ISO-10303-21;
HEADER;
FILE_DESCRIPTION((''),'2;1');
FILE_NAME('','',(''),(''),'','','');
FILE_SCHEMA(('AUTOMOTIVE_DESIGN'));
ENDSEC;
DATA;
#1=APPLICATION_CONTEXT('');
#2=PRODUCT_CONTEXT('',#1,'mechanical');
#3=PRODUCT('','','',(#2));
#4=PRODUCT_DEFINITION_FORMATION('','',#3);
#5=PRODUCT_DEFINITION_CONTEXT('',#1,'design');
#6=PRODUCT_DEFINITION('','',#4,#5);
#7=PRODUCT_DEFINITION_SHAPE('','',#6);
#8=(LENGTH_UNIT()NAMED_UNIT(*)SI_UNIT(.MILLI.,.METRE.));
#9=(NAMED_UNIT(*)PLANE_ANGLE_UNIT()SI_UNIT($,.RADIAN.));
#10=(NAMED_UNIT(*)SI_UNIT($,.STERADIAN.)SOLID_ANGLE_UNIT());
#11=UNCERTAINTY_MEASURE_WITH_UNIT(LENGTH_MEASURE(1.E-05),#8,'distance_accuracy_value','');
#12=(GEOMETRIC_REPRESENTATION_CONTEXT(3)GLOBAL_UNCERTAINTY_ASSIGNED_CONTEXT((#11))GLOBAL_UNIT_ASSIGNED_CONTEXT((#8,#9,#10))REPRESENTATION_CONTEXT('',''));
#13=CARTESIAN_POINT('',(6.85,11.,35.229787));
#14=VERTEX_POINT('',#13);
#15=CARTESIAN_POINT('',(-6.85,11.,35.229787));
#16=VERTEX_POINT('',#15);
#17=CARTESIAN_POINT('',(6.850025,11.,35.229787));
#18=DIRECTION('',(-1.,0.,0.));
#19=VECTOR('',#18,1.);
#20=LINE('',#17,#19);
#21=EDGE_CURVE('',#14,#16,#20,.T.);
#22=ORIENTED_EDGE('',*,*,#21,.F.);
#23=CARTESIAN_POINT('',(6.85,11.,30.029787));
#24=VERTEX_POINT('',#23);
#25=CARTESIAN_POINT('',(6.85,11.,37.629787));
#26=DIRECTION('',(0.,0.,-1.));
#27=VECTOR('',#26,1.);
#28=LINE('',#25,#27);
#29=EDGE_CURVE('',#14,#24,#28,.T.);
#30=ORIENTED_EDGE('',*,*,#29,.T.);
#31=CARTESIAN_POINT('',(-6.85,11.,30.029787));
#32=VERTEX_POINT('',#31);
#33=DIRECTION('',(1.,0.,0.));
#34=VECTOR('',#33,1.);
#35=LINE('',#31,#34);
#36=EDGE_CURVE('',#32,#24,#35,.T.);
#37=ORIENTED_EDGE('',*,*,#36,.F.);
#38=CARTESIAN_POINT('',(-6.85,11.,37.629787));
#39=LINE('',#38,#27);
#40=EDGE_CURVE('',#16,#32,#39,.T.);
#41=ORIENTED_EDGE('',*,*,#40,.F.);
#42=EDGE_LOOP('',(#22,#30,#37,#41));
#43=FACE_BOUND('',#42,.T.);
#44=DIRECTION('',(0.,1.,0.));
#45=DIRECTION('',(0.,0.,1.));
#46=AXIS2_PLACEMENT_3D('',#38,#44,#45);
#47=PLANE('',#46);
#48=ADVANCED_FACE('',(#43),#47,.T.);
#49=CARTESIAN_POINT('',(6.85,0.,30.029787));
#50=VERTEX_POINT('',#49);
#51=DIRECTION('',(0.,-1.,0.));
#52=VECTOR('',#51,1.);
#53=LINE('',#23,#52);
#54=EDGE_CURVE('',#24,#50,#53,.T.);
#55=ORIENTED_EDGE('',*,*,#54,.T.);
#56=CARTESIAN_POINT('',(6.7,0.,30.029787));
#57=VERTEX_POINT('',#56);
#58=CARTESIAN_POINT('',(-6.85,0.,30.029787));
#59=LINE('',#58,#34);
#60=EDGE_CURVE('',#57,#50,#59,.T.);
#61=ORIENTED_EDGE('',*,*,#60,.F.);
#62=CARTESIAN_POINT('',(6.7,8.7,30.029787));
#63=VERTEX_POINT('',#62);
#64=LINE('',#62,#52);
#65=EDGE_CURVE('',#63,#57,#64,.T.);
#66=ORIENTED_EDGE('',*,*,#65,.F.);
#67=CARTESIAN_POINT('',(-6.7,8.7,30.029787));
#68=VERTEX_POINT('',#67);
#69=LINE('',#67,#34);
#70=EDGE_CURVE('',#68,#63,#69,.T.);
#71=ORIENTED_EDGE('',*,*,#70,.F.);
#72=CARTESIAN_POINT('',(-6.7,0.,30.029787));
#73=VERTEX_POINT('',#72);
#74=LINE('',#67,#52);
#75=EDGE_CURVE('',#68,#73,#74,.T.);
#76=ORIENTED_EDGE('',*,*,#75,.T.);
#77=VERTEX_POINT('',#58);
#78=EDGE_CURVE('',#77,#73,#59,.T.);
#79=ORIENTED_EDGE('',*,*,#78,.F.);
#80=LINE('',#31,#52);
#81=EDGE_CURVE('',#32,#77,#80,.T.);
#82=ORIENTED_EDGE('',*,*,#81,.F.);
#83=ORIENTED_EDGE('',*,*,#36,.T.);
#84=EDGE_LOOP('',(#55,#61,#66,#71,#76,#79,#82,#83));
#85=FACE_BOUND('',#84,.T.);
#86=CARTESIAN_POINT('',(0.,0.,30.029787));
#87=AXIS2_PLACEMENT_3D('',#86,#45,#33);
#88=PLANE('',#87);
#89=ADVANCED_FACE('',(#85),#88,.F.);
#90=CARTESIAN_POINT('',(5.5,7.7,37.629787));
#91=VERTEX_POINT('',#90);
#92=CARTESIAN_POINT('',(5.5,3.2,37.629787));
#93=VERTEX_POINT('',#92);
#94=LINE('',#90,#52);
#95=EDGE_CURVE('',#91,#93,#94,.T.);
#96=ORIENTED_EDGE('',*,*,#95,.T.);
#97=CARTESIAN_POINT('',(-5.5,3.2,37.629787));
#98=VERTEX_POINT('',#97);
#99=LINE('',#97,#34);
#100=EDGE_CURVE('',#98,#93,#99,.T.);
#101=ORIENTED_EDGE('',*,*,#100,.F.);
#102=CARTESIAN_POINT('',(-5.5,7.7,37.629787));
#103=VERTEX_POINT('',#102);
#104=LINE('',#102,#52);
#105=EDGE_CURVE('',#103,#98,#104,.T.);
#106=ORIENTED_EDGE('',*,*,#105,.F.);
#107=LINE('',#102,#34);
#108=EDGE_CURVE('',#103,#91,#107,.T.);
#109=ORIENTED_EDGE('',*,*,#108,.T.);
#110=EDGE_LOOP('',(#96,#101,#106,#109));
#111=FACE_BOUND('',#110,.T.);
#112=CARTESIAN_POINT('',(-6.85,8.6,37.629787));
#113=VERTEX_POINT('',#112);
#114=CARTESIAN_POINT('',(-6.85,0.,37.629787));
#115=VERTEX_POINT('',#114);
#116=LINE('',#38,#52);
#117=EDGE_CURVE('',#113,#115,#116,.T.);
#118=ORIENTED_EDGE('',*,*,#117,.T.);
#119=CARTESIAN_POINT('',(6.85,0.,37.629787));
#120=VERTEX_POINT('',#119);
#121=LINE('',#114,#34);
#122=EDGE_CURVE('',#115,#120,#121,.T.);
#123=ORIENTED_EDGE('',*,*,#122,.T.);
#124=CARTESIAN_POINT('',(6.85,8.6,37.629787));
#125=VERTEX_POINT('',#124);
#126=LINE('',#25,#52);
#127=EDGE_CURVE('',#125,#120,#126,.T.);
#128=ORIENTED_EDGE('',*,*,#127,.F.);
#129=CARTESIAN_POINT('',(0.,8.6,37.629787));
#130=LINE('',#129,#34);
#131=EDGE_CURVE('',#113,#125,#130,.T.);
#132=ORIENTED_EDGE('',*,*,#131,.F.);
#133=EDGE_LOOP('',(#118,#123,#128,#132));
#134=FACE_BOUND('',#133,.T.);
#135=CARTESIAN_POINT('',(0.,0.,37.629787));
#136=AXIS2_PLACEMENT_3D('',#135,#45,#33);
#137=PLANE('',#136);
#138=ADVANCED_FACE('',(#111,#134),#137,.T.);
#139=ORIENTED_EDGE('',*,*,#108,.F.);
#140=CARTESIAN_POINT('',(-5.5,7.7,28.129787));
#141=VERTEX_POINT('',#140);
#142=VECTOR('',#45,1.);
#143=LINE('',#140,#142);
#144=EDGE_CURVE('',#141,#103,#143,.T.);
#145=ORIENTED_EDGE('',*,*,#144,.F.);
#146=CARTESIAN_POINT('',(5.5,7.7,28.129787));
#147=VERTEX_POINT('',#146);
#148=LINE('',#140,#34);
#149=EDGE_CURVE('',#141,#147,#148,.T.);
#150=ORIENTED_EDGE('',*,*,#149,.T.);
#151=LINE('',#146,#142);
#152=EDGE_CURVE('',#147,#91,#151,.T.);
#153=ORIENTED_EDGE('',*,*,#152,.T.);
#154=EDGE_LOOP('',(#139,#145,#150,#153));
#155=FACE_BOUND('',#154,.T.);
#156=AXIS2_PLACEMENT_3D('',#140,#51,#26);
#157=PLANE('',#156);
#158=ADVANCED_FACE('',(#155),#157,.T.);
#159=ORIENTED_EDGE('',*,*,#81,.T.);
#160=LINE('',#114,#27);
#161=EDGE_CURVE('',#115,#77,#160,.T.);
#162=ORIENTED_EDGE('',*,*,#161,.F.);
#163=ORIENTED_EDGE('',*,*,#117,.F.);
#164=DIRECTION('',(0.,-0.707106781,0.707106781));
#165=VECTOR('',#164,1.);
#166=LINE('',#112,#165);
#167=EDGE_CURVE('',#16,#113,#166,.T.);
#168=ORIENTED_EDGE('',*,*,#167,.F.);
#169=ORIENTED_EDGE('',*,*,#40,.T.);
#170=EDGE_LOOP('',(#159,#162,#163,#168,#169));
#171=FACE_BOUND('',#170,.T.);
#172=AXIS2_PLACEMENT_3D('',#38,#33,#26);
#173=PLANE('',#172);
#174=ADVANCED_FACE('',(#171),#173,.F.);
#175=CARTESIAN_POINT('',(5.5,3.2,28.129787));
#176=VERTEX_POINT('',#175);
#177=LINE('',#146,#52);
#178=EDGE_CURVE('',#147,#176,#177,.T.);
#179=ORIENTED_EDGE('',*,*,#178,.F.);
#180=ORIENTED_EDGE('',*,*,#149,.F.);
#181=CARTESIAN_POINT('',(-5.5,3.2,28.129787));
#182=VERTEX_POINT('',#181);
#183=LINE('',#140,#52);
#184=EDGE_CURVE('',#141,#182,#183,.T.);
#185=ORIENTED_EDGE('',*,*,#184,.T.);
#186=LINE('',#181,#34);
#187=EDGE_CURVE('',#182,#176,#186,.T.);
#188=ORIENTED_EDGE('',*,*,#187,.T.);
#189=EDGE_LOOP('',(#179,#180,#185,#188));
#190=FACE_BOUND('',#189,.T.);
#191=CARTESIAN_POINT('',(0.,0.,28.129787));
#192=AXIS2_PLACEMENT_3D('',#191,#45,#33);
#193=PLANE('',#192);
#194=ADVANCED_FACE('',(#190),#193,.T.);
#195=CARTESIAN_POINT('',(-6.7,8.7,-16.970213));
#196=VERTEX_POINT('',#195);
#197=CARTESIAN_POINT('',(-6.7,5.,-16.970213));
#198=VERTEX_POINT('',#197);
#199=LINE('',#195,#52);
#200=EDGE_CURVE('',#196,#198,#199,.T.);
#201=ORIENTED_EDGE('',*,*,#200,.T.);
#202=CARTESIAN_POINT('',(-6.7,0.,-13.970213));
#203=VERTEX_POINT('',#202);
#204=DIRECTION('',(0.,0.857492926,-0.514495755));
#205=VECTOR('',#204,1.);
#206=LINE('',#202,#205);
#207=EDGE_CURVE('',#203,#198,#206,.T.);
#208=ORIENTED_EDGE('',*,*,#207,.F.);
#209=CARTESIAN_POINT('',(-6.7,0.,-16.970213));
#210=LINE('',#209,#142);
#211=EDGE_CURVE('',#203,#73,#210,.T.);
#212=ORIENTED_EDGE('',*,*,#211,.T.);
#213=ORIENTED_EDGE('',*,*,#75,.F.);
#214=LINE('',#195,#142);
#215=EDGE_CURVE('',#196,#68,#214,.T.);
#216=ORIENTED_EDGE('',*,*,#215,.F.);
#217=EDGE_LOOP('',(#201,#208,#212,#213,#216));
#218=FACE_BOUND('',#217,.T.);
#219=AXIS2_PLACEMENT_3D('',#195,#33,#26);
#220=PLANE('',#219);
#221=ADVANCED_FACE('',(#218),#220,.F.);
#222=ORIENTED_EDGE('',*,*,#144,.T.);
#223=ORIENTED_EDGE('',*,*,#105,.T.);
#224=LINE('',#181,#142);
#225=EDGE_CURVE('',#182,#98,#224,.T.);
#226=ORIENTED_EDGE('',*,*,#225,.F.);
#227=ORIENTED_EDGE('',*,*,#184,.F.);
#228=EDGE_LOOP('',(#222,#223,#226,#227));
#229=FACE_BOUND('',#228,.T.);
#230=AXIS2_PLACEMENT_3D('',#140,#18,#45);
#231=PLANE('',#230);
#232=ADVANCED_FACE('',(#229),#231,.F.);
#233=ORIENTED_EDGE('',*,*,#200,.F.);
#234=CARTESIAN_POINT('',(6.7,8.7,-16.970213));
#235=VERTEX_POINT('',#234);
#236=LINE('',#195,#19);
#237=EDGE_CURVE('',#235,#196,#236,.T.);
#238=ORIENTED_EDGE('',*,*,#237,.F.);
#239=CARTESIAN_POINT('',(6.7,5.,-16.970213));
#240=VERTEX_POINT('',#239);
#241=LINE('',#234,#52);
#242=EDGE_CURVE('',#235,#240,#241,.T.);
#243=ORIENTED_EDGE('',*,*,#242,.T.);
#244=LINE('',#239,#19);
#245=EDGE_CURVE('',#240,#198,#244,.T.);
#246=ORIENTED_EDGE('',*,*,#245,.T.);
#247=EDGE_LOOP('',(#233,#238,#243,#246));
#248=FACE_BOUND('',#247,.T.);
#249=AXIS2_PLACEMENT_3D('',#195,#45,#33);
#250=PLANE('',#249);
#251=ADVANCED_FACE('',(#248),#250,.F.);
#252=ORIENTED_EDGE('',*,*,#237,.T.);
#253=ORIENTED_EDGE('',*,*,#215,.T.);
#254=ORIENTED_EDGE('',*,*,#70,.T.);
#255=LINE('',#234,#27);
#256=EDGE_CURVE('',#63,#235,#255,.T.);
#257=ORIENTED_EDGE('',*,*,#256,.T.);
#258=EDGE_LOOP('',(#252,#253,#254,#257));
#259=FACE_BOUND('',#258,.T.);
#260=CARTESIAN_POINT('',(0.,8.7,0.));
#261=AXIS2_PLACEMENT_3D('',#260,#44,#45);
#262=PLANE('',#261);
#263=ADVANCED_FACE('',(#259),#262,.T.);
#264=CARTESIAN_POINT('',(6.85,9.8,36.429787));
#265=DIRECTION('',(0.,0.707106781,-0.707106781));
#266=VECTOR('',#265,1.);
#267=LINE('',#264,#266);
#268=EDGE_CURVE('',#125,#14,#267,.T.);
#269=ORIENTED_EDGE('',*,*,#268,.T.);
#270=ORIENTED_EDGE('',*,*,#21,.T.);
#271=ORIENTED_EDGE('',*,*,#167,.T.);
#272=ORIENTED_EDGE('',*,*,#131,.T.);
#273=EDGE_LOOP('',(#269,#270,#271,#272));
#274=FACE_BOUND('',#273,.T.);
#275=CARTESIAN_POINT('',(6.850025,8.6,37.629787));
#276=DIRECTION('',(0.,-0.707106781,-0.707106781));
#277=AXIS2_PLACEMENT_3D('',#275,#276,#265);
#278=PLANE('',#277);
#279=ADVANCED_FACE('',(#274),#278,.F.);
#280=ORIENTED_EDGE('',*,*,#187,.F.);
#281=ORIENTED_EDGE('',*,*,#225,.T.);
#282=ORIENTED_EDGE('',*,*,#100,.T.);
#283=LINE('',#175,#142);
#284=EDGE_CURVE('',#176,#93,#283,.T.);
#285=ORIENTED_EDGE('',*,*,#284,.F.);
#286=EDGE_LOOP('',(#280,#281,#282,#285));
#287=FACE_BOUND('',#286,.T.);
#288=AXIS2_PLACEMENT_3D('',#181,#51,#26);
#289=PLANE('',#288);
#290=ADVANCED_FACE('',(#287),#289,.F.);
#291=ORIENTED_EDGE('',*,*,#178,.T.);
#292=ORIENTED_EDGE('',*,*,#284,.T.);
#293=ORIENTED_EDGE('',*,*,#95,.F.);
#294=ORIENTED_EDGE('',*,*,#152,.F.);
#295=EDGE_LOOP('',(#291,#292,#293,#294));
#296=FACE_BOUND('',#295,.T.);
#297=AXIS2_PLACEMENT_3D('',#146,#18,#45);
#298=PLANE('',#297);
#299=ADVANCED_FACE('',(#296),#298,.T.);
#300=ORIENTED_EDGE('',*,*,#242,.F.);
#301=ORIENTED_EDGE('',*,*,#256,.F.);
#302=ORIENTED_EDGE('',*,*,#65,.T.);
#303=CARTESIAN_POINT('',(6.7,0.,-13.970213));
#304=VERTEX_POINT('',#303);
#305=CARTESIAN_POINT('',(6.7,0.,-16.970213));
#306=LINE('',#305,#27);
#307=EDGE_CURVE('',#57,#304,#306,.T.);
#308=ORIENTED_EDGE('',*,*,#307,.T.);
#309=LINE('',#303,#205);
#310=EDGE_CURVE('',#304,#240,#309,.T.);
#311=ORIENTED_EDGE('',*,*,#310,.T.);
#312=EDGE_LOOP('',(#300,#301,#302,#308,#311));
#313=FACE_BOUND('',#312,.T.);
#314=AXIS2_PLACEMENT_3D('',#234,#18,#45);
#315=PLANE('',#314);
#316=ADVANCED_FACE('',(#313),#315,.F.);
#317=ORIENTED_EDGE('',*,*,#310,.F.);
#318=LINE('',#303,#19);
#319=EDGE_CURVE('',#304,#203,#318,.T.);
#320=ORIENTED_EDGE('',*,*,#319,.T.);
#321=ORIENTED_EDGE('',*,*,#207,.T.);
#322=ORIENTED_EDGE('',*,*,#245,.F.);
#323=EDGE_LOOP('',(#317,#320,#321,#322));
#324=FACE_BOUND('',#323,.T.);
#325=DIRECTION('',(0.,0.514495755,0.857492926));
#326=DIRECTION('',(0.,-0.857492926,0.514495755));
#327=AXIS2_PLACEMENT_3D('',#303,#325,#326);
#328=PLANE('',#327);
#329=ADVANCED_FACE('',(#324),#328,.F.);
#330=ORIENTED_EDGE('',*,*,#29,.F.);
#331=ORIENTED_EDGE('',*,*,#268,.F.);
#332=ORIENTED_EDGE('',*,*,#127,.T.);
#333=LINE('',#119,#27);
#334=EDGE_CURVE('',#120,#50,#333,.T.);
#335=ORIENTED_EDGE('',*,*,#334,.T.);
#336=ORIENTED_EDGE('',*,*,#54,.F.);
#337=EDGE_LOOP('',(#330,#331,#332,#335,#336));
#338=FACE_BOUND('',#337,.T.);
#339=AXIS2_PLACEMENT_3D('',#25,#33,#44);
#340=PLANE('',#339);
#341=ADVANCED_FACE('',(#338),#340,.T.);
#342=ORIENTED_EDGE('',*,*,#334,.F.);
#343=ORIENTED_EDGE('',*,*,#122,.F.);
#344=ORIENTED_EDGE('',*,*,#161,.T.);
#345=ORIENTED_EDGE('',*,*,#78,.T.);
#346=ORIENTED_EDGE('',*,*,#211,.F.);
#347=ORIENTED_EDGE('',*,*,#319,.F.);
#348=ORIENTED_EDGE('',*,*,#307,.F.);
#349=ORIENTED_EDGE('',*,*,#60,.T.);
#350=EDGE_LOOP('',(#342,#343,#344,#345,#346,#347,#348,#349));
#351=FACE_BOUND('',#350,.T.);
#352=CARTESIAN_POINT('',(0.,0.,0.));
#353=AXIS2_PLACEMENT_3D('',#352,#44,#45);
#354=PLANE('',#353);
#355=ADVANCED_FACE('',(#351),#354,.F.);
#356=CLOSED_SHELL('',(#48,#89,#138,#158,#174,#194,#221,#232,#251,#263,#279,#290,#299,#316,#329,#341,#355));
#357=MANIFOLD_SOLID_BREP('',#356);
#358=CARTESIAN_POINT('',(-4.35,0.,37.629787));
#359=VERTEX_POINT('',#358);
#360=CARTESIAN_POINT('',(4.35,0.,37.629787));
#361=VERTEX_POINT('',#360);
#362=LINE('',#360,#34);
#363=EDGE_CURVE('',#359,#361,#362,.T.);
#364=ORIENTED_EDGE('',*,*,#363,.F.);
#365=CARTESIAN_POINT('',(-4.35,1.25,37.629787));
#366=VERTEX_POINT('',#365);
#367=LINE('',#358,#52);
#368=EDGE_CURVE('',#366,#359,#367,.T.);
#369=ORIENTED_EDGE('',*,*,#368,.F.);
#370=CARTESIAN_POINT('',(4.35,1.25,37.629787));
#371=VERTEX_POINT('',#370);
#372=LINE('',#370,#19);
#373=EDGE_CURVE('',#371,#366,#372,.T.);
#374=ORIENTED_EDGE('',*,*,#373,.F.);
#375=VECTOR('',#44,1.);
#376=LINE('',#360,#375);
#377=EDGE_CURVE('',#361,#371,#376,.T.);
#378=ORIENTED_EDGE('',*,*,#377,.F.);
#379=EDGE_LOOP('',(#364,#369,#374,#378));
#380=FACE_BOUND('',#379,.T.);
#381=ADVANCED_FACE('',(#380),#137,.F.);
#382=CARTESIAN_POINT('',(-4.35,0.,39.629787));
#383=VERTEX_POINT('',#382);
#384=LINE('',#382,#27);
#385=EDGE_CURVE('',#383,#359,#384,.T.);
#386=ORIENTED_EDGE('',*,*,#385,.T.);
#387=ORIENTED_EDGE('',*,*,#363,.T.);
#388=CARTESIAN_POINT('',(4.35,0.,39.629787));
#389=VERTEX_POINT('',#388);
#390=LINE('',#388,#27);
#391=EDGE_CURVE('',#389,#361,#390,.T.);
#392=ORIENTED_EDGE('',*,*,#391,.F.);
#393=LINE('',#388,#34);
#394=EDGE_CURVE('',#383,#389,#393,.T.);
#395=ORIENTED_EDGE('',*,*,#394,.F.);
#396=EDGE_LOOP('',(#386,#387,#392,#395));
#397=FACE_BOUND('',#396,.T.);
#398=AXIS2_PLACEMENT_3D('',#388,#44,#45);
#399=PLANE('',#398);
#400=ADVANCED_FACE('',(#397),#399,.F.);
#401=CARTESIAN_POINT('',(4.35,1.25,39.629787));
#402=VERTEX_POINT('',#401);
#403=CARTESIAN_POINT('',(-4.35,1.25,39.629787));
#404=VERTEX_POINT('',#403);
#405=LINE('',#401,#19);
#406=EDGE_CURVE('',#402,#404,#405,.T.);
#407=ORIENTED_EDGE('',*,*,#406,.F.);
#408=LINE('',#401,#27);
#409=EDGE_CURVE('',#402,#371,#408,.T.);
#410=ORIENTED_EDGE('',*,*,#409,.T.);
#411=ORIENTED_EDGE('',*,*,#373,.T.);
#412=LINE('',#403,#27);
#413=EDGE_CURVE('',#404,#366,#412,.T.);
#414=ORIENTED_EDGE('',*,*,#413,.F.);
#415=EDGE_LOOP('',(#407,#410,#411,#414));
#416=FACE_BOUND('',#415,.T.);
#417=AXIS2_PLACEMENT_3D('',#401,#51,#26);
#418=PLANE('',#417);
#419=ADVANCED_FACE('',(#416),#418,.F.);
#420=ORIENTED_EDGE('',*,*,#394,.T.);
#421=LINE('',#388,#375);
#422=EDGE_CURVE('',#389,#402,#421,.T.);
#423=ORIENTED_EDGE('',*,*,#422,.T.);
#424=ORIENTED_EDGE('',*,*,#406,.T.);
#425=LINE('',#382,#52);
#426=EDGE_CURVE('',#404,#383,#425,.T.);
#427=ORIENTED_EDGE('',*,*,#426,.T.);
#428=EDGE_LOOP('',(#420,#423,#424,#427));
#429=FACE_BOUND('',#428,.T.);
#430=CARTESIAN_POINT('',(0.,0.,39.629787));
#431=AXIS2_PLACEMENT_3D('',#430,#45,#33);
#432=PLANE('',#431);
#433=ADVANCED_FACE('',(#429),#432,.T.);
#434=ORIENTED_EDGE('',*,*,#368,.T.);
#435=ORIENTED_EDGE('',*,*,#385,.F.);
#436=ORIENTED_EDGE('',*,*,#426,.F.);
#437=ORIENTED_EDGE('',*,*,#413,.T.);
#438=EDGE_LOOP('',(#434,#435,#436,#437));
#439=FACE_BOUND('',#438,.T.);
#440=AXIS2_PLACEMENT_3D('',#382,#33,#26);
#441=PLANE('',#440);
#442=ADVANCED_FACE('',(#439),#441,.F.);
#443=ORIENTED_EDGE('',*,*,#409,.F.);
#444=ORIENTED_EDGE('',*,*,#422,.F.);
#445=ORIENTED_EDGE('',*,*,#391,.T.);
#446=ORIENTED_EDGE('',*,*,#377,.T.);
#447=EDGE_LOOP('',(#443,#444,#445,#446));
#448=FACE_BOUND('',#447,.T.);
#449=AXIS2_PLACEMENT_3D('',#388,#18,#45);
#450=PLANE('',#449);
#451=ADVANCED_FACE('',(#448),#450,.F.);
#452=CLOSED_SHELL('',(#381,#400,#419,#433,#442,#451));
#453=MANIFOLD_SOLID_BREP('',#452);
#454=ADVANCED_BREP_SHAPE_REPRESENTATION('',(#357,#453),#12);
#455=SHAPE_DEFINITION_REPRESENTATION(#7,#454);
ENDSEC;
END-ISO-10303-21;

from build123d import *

# Parameters (mm, degrees)
SKETCH1_W           = 13.4
SKETCH1_H           = 47
BOSS_EXTRUDE1_DEPTH = 8.7
CUT_EXTRUDE1_DEPTH  = 14.4
SKETCH3_W           = 13.7
SKETCH3_H           = 11
BOSS_EXTRUDE2_DEPTH = 7.6
CUT_EXTRUDE2_DEPTH  = 14.7
SKETCH5_W           = 8.7
SKETCH5_H           = 1.25
BOSS_EXTRUDE3_DEPTH = 2
SKETCH7_W           = 11
SKETCH7_H           = 4.5
CUT_EXTRUDE3_DEPTH  = 9.5


with BuildPart() as part:
    # Sketch1 → Boss-Extrude1 (new body)
    with BuildSketch(Plane(origin=(0, 0, 0), x_dir=(1, 0, 0), z_dir=(0, 1, 0))):
        with Locations((0, -6.529786546)):
            Rectangle(SKETCH1_W, SKETCH1_H)
    extrude(amount=BOSS_EXTRUDE1_DEPTH)

    # Sketch2 → Cut-Extrude1 (cut, through all)
    with BuildSketch(Plane.ZY.offset(6.7)):
        Polygon((-16.970213454, 0), (-16.970213454, 5), (-13.970213454, 0), align=None)
    extrude(amount=-CUT_EXTRUDE1_DEPTH, mode=Mode.SUBTRACT)

    # Sketch3 → Boss-Extrude2 (add)
    with BuildSketch(Plane.XY.offset(30.029786546)):
        with Locations((0, 5.5)):
            Rectangle(SKETCH3_W, SKETCH3_H)
    extrude(amount=BOSS_EXTRUDE2_DEPTH)

    # Sketch4 → Cut-Extrude2 (cut, through all)
    with BuildSketch(Plane.ZY.offset(6.85)):
        Polygon((37.629786546, 11), (35.229786546, 11), (37.629786546, 8.6), align=None)
    extrude(amount=-CUT_EXTRUDE2_DEPTH, mode=Mode.SUBTRACT)

    # Sketch7 → Cut-Extrude3 (cut)
    with BuildSketch(Plane.XY.offset(37.629786546)):
        with Locations((0, 5.45)):
            Rectangle(SKETCH7_W, SKETCH7_H)
    extrude(amount=-CUT_EXTRUDE3_DEPTH, mode=Mode.SUBTRACT)


with BuildPart() as body_2:
    # Sketch5 → Boss-Extrude3 (new body)
    with BuildSketch(Plane.XY.offset(37.629786546)):
        with Locations((0, 0.625)):
            Rectangle(SKETCH5_W, SKETCH5_H)
    extrude(amount=BOSS_EXTRUDE3_DEPTH)


solid = Compound([part.part, body_2.part])
